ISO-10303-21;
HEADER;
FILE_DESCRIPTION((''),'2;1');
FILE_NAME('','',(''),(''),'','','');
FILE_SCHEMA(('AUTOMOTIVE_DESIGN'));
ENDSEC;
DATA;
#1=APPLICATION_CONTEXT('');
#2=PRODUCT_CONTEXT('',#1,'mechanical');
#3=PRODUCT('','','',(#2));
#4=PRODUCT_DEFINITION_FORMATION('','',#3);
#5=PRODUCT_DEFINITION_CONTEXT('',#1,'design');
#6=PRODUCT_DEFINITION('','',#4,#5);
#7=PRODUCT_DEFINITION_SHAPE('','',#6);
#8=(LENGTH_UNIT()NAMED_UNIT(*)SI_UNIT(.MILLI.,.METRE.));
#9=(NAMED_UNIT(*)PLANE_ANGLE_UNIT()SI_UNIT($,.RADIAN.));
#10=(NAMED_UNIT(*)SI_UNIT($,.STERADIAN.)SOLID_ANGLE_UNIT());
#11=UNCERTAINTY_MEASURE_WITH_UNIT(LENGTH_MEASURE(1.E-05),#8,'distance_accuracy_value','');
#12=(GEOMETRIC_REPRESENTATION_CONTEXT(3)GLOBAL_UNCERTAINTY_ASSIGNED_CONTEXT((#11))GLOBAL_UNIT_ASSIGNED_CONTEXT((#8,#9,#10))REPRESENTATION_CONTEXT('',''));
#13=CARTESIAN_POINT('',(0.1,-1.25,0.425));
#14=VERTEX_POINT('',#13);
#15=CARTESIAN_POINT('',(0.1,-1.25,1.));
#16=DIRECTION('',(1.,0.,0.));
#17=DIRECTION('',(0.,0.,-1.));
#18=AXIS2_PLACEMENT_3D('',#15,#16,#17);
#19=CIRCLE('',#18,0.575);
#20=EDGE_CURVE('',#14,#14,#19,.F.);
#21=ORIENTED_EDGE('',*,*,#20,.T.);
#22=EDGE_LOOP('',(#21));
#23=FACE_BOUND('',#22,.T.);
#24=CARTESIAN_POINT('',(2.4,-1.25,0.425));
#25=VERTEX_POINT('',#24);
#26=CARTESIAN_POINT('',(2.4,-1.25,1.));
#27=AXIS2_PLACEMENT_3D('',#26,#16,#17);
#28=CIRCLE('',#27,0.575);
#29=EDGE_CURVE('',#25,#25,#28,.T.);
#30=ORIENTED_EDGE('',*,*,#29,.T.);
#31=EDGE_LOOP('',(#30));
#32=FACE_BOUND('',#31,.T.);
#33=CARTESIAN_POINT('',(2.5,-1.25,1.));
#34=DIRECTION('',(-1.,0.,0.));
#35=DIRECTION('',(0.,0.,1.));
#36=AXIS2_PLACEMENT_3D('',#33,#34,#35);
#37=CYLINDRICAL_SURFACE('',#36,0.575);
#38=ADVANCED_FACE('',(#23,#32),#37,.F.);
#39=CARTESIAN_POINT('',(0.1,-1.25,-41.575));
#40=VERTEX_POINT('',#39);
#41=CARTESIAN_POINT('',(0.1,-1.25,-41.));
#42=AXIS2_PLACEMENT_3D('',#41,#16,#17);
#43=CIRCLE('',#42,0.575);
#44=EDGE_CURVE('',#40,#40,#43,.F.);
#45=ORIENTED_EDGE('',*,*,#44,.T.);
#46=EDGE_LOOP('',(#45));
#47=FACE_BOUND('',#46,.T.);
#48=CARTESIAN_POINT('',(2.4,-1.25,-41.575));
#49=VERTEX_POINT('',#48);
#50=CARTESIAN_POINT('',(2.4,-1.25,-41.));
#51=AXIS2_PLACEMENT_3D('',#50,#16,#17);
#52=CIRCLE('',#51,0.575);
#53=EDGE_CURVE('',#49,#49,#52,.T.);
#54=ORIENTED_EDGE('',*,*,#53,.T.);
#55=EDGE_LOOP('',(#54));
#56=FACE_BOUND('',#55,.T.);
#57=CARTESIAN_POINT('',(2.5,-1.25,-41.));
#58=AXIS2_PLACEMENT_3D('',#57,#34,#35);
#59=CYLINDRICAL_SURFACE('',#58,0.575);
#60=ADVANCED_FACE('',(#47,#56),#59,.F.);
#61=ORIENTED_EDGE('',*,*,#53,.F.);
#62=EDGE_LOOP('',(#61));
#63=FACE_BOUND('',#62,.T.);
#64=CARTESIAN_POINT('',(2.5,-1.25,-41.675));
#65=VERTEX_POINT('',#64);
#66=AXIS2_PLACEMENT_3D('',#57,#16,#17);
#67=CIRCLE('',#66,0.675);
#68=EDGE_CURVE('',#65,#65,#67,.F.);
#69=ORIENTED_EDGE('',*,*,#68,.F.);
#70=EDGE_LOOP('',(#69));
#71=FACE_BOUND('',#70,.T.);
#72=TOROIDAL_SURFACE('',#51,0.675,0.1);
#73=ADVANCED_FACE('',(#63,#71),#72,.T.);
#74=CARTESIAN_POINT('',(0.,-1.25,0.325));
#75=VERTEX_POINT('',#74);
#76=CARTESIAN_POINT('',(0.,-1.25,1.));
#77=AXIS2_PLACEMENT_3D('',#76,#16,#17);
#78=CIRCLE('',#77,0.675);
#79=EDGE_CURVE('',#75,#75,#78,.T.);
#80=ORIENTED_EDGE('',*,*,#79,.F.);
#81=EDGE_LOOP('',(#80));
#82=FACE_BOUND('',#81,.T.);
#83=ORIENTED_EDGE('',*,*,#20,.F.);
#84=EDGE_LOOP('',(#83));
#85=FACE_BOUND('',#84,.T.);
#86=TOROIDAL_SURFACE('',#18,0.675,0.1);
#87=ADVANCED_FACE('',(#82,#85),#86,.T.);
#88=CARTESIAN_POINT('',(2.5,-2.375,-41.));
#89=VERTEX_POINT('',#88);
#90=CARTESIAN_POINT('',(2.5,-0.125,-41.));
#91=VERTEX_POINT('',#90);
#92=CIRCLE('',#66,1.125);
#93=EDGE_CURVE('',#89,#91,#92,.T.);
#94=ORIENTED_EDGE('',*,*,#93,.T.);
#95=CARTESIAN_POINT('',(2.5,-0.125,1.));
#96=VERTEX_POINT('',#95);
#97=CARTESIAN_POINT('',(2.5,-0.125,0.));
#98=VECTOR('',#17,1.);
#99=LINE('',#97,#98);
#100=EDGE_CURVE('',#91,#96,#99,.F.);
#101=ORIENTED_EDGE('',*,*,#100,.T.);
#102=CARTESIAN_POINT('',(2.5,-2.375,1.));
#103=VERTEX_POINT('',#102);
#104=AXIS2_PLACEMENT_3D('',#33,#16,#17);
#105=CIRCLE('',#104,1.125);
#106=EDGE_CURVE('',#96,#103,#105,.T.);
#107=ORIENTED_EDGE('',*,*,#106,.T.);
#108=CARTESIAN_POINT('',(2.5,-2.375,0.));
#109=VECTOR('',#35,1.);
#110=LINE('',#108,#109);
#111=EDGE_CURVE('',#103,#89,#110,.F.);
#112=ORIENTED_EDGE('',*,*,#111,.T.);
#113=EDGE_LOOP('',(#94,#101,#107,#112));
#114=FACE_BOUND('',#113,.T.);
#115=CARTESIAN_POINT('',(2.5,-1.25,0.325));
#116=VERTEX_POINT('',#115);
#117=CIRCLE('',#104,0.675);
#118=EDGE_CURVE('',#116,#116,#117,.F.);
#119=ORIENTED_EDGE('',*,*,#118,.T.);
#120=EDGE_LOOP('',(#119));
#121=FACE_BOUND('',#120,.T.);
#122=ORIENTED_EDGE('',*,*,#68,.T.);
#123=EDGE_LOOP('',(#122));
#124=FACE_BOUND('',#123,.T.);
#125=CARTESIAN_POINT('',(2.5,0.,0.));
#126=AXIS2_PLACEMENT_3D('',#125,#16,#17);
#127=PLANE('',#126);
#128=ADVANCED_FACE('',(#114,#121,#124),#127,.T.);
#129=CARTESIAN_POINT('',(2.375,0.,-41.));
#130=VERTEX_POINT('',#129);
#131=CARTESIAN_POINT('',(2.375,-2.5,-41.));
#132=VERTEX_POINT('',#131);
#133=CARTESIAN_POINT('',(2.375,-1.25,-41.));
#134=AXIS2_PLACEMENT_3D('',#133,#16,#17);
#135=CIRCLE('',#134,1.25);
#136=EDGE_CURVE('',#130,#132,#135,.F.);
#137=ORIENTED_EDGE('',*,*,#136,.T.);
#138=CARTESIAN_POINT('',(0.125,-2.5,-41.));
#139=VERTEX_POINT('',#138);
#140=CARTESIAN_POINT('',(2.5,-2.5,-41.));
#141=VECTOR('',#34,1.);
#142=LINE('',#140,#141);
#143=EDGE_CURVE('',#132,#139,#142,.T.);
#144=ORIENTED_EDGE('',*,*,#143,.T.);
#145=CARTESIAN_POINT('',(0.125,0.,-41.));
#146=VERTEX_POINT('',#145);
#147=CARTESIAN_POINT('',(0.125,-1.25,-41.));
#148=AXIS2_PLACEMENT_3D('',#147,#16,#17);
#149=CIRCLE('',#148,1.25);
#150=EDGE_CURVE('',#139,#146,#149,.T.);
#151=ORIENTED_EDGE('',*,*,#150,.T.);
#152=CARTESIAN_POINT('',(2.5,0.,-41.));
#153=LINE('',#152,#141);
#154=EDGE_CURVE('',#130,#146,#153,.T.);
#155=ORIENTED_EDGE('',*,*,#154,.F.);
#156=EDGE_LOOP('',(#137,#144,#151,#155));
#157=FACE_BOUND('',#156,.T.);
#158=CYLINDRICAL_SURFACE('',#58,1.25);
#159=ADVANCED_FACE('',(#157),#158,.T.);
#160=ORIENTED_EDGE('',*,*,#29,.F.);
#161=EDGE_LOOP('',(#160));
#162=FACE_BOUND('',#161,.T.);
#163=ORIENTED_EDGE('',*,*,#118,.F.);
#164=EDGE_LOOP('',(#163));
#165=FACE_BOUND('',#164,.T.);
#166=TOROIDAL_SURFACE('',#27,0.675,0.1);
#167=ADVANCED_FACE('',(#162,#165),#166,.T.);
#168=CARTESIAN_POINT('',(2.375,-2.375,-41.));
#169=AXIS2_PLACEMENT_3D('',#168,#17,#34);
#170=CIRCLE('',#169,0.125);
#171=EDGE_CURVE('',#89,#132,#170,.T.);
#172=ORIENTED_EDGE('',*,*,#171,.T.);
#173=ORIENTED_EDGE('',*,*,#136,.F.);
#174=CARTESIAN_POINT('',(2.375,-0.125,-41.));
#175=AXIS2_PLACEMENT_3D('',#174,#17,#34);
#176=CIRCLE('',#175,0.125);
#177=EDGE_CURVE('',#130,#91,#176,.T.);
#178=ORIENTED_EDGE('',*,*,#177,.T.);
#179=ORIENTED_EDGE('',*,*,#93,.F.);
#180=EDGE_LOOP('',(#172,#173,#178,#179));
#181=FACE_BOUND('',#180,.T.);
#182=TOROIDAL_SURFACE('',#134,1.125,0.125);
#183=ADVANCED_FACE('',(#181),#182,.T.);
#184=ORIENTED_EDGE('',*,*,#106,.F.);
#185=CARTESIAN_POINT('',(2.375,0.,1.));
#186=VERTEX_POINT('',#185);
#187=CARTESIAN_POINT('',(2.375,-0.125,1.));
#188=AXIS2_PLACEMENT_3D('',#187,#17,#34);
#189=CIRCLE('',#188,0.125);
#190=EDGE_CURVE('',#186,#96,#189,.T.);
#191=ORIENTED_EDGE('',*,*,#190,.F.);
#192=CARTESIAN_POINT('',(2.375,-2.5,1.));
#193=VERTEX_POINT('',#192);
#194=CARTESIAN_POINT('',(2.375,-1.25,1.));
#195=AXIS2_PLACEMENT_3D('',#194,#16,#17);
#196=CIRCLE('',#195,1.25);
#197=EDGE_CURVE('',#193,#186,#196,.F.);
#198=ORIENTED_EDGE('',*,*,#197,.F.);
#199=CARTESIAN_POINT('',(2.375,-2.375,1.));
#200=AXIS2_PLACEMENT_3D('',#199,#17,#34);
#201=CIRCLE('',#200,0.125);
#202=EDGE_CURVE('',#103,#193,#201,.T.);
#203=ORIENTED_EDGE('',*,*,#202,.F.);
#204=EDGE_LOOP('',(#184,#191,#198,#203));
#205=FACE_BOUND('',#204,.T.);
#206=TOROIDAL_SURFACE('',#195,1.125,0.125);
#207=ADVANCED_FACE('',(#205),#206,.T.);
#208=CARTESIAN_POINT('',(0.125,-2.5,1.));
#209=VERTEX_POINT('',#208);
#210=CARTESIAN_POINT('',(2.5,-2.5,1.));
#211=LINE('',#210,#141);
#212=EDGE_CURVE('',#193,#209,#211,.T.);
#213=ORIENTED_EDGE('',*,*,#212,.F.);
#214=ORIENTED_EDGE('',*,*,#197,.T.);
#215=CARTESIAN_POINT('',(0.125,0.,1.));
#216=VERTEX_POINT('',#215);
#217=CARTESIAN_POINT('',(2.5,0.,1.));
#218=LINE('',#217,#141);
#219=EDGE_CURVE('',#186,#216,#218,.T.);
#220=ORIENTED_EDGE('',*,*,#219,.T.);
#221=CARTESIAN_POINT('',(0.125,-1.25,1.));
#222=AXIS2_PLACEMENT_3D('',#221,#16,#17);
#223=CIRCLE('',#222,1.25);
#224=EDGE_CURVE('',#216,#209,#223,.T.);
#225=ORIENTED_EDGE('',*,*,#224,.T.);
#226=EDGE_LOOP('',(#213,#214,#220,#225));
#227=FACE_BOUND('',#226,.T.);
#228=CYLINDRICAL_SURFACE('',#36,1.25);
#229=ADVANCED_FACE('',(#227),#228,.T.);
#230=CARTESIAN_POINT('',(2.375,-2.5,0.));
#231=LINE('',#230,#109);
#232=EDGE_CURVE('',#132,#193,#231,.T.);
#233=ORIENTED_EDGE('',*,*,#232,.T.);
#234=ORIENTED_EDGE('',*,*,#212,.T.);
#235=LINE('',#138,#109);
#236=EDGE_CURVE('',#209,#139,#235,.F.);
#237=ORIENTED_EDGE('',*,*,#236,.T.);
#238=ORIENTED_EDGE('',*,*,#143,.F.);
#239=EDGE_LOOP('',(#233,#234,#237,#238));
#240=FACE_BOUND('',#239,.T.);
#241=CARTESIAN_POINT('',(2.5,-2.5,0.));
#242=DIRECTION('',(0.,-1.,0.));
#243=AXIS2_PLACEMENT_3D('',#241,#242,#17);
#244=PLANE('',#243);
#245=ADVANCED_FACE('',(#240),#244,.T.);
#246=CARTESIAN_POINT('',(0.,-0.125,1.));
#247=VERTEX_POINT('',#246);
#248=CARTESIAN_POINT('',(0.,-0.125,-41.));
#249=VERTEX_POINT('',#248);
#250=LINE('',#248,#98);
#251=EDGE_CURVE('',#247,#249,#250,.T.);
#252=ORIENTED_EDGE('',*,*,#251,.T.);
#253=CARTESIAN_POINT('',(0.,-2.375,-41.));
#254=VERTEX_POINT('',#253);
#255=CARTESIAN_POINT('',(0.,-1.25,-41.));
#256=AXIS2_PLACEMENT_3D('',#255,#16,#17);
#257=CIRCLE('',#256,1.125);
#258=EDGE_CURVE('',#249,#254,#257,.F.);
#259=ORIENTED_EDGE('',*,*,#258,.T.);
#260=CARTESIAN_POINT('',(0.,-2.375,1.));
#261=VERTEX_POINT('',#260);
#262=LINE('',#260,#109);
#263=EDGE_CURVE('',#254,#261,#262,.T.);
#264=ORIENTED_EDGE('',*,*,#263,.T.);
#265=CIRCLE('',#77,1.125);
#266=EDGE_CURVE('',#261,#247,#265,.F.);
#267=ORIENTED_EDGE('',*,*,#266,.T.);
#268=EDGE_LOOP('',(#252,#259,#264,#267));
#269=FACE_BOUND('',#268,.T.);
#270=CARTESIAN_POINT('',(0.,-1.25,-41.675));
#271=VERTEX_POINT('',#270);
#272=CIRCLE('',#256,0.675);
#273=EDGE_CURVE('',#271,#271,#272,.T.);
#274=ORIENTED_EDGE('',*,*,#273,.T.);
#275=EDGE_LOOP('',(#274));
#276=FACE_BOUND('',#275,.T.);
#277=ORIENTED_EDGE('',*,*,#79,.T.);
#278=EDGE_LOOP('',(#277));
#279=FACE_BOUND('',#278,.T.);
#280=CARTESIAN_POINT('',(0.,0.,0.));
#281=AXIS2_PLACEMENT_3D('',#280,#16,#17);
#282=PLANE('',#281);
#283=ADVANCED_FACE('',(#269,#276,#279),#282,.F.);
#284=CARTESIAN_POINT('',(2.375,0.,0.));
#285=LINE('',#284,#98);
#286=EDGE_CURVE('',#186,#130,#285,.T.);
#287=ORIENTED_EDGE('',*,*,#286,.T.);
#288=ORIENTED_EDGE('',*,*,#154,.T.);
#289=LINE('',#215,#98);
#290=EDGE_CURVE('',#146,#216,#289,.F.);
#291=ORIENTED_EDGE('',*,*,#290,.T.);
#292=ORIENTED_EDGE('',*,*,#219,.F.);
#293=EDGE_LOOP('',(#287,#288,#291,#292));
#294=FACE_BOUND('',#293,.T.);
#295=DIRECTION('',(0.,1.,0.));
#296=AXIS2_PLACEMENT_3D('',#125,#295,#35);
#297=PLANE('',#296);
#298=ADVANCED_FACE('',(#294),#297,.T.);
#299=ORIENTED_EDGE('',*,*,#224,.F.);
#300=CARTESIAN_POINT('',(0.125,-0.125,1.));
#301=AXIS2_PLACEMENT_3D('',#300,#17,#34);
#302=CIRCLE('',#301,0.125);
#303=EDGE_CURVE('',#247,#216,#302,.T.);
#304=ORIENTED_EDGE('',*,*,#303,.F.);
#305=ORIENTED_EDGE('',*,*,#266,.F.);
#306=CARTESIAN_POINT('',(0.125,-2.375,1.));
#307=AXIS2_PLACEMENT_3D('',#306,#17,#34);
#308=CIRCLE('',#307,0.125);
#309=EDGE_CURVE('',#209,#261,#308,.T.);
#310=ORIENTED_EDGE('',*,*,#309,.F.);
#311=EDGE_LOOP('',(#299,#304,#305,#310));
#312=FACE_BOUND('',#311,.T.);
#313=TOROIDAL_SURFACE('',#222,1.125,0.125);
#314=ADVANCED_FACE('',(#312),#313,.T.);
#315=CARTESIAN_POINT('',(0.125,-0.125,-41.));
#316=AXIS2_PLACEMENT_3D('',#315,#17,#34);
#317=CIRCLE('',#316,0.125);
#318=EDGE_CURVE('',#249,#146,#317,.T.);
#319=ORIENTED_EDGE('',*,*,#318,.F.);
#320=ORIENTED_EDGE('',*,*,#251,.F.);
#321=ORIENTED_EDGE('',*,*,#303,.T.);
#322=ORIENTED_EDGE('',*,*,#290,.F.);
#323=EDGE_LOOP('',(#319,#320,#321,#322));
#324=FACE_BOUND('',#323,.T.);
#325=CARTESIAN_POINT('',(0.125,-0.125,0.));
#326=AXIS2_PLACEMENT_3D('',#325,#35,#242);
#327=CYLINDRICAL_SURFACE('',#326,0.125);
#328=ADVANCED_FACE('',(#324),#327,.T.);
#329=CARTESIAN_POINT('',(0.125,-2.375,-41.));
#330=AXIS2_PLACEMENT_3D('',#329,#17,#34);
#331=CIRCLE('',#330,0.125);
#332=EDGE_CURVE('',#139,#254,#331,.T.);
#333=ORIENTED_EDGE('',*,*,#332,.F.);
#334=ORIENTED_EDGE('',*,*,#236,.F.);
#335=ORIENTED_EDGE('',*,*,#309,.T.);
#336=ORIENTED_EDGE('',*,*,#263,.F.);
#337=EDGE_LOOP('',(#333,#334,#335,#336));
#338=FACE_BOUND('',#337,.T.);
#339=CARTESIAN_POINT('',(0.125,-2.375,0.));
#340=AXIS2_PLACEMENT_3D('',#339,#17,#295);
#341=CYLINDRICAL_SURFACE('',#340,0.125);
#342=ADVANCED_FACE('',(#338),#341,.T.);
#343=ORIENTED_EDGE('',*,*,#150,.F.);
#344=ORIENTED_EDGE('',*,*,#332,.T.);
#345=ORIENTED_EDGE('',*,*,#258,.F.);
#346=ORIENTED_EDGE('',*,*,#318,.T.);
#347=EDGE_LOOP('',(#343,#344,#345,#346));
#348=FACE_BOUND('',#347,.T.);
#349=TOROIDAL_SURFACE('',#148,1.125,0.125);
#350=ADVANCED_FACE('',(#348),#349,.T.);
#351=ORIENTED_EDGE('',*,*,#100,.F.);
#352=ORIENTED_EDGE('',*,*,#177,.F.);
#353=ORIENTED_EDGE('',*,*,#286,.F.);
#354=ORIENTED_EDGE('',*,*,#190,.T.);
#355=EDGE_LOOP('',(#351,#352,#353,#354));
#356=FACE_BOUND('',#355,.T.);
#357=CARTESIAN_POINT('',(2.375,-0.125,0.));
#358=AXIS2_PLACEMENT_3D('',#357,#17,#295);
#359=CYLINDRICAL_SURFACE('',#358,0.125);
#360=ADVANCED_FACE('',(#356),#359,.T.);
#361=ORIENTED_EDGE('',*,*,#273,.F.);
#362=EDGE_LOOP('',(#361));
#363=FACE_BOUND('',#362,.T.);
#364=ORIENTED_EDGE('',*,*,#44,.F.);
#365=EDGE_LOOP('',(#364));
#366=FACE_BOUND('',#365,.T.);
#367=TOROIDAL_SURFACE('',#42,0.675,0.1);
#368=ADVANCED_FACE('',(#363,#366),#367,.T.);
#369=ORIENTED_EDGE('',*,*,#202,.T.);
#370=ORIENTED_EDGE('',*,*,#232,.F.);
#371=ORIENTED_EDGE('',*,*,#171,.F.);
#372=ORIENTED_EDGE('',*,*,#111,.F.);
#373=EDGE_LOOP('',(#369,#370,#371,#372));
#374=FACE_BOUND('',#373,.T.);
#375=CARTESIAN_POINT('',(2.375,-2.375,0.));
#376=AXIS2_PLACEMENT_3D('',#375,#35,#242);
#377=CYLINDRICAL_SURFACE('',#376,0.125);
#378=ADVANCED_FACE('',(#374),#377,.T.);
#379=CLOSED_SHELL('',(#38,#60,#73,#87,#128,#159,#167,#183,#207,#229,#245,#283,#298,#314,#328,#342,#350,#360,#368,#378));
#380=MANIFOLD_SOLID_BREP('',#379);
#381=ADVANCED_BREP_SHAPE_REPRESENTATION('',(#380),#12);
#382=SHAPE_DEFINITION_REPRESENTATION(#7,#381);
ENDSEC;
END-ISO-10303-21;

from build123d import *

# Parameters (mm, degrees)
SKETCH1_R           = 0.575
BOSS_EXTRUDE1_DEPTH = 2.5
FILLET1_R           = 0.125
FILLET2_R           = 0.1


with BuildPart() as part:
    # Sketch1 → Boss-Extrude1 (new body)
    with BuildSketch(Plane(origin=(0, 0, 0), x_dir=(0, 0, -1), z_dir=(1, 0, 0))):
        with BuildLine():
            ThreePointArc((41, 0), (42.25, -1.25), (41, -2.5))
            Line((41, -2.5), (40, -2.5))
            Line((40, -2.5), (0, -2.5))
            Line((0, -2.5), (-1, -2.5))
            ThreePointArc((-1, -2.5), (-2.25, -1.25), (-1, 0))
            Line((-1, 0), (0, 0))
            Line((0, 0), (40, 0))
            Line((40, 0), (41, 0))
        make_face()
        with Locations((41, -1.25)):
            Circle(SKETCH1_R, mode=Mode.SUBTRACT)
        with Locations((-1, -1.25)):
            Circle(SKETCH1_R, mode=Mode.SUBTRACT)
    extrude(amount=BOSS_EXTRUDE1_DEPTH)

    # Fillet1
    fillet1_edges = [part.edges().sort_by_distance(p)[0] for p in [
        (0, -1.25, 2.25),
        (0, 0, -20),
        (0, -1.25, -42.25),
        (2.5, 0, -20),
        (2.5, -1.25, 2.25),
        (2.5, -2.5, -20),
        (2.5, -1.25, -42.25),
        (0, -2.5, -20),
    ]]
    fillet(fillet1_edges, radius=FILLET1_R)

    # Fillet2
    fillet2_edges = [part.edges().sort_by_distance(p)[0] for p in [
        (2.5, -1.25, -40.425),
        (2.5, -1.25, 1.575),
        (0, -1.25, 1.575),
        (0, -1.25, -40.425),
    ]]
    fillet(fillet2_edges, radius=FILLET2_R)


solid = part.part
